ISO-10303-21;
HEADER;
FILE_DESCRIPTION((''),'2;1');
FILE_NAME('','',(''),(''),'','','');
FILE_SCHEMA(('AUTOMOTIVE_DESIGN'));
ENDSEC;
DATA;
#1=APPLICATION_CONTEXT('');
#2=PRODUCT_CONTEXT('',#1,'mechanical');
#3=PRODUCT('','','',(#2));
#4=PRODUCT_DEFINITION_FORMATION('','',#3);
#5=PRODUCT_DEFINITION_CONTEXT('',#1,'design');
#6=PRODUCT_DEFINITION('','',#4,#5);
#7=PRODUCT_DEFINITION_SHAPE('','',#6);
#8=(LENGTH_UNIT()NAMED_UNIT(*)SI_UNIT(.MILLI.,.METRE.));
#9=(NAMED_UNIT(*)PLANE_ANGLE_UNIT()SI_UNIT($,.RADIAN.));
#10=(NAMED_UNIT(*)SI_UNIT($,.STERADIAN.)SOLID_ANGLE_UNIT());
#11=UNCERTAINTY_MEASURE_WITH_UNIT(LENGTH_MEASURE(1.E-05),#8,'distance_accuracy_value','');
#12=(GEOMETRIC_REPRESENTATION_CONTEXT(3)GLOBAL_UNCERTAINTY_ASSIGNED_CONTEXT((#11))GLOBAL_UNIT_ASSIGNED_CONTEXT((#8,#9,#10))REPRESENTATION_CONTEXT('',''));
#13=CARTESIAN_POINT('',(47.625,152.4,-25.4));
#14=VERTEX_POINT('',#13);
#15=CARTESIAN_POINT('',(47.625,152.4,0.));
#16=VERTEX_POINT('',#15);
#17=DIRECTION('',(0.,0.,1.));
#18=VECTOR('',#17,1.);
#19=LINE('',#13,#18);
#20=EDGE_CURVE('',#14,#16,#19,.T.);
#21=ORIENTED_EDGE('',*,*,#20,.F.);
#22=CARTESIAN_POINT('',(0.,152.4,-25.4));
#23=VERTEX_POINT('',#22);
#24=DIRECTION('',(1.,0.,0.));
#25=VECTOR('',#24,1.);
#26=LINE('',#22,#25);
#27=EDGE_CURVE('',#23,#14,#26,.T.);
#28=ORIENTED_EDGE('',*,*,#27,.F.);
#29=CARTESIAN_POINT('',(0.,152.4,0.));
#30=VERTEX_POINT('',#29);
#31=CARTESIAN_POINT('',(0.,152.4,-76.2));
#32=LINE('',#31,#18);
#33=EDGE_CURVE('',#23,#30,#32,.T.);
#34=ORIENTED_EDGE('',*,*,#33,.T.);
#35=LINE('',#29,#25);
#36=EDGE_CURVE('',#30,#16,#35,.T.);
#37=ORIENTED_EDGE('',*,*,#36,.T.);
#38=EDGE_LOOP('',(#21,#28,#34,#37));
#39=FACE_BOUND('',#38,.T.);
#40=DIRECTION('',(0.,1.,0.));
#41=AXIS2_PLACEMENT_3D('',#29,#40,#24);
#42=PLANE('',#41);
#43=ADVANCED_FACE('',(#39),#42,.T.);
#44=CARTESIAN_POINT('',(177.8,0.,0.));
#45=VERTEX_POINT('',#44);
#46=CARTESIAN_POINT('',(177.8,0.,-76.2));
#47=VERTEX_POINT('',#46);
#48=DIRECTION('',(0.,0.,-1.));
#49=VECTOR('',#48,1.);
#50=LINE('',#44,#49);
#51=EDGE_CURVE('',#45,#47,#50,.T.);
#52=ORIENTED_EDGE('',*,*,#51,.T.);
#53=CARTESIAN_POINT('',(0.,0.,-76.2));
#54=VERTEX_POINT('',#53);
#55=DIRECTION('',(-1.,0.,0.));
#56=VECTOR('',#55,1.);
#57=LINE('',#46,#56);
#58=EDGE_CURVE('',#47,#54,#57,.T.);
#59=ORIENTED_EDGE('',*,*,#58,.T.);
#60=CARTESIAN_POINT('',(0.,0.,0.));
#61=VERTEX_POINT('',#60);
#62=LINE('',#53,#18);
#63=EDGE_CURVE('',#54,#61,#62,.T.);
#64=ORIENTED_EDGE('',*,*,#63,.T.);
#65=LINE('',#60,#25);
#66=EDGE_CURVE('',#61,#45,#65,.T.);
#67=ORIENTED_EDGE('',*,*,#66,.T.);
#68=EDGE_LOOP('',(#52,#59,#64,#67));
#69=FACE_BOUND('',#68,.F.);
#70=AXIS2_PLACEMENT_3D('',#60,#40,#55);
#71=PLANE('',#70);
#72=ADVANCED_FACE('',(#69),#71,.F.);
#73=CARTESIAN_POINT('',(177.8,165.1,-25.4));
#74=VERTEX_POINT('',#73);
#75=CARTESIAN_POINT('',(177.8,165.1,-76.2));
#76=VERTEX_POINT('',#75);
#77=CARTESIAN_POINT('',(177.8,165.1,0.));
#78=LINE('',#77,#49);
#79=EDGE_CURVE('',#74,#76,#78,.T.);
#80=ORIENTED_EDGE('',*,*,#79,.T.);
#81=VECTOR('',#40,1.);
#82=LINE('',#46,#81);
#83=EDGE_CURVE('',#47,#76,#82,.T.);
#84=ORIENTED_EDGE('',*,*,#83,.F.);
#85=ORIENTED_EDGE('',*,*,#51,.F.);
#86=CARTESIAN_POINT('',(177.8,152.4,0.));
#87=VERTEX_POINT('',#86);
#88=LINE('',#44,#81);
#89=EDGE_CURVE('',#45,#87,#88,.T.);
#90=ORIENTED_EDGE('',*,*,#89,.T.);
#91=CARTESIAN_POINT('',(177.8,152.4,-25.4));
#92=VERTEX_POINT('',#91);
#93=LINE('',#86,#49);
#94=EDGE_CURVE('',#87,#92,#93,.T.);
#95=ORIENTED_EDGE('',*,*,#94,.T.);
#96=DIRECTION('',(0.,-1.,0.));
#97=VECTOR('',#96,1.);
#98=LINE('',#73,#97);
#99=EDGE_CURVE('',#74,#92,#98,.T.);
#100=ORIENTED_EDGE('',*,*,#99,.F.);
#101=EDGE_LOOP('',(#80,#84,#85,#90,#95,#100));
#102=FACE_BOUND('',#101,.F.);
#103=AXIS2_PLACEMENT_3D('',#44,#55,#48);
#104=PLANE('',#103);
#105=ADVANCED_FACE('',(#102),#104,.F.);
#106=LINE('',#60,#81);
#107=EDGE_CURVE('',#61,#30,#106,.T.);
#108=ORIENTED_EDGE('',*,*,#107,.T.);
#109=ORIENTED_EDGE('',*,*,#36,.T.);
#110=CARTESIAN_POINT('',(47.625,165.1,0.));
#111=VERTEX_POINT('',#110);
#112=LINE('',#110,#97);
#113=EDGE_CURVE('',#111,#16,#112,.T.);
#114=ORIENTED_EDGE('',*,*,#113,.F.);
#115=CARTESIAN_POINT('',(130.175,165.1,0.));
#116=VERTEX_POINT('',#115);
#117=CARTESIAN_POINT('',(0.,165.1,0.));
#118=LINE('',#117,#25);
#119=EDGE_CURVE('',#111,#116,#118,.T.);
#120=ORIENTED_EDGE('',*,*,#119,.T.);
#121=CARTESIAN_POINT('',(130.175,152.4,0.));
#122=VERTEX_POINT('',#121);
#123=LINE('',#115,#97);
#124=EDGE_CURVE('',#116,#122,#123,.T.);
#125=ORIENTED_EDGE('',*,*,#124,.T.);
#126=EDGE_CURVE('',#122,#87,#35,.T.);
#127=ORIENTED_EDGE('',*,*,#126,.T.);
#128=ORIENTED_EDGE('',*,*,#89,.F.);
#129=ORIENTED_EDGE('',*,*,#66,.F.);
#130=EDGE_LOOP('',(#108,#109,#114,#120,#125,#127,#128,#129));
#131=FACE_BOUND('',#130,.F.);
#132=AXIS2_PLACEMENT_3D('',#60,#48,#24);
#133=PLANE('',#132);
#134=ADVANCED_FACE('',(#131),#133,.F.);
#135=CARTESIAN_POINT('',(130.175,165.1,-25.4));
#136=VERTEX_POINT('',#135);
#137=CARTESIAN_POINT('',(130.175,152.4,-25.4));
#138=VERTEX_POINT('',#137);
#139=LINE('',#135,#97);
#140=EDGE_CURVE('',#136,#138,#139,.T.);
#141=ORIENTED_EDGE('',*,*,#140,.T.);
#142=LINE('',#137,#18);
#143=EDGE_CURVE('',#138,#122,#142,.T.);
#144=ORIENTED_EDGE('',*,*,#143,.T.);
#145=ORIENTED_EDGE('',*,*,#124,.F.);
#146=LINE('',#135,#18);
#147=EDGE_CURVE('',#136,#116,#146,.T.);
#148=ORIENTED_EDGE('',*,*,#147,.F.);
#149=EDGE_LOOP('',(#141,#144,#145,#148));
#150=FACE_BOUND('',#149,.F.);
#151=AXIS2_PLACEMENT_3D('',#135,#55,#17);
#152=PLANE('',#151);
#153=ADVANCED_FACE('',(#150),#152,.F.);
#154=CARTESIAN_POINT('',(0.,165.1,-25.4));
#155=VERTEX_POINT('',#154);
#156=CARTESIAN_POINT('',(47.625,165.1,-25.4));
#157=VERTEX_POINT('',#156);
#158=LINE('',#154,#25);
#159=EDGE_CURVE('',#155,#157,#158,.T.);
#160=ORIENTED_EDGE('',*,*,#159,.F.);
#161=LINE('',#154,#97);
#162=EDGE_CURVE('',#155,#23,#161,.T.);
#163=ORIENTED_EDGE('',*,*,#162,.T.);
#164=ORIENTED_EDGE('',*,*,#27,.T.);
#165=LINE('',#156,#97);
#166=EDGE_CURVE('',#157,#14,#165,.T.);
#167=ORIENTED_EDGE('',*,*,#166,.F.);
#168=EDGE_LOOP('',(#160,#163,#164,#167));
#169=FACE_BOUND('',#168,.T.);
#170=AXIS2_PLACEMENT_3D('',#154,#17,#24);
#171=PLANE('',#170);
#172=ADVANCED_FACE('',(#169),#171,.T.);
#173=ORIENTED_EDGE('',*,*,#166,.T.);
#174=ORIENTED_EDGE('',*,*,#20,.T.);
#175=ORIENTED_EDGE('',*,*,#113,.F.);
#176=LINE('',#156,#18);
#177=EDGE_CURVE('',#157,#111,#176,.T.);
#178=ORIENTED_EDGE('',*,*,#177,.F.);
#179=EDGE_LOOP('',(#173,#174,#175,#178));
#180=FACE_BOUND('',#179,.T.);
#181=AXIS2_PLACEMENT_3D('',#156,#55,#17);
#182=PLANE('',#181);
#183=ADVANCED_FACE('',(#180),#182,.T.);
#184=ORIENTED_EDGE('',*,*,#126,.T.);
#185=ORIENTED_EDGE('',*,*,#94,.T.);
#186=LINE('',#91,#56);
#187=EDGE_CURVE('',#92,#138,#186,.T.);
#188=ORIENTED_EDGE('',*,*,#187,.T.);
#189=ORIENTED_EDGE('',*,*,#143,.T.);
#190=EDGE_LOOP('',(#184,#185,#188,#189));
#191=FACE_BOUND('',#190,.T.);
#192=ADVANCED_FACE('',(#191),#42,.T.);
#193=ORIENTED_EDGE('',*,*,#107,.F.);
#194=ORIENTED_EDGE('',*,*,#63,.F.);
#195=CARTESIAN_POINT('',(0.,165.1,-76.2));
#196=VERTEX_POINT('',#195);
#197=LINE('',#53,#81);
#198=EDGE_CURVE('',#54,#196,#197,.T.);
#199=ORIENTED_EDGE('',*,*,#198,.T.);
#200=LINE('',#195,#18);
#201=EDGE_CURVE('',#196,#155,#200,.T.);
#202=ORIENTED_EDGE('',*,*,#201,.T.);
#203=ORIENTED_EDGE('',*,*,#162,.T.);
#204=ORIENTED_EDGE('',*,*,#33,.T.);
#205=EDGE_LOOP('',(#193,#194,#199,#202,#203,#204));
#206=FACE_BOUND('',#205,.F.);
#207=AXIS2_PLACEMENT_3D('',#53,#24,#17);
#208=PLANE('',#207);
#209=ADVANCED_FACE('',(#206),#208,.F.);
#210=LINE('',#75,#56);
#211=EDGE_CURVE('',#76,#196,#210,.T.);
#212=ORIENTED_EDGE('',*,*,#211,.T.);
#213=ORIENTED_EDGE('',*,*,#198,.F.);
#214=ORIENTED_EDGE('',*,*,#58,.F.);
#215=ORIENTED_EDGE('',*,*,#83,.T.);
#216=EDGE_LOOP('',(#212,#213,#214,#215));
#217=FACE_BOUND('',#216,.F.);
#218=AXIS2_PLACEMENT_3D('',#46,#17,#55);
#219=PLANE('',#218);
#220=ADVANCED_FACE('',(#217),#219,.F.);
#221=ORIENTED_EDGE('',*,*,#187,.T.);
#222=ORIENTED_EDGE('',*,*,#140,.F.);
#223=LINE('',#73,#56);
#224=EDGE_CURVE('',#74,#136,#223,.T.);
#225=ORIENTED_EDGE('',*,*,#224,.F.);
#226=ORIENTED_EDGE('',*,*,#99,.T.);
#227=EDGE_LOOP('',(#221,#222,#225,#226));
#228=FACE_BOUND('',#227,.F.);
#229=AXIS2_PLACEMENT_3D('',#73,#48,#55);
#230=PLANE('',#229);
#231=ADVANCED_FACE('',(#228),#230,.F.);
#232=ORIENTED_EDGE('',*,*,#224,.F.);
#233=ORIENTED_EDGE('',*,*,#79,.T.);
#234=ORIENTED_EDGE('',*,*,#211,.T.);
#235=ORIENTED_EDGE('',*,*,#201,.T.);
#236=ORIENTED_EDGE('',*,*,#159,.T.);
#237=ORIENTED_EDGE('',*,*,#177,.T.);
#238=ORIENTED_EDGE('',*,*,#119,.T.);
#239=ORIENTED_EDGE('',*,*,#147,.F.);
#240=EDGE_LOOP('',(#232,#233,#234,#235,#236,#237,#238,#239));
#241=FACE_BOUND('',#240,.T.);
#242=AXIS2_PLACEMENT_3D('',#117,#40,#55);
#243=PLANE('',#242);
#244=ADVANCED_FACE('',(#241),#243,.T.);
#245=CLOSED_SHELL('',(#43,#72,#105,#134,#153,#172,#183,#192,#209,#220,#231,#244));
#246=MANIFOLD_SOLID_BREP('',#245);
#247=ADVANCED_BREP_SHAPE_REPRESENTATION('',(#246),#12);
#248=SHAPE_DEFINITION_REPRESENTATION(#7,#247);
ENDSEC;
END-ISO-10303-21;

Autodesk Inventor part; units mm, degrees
ref_plane "YZ Plane" through (0, 0, 0) normal (1, 0, 0) x (0, 1, 0)
ref_plane "XZ Plane" through (0, 0, 0) normal (0, 1, 0) x (-1, 0, 0)
ref_plane "XY Plane" through (0, 0, 0) normal (0, 0, 1) x (1, 0, 0)
sketch "Sketch1" plane through (0, 0, 0) normal (0, 1, 0) x (-1, 0, 0)
  line L0 (0, 0) -> (-177.8, 0)
  line L1 (-177.8, 0) -> (-177.8, -76.2)
  line L2 (-177.8, -76.2) -> (0, -76.2)
  line L3 (0, -76.2) -> (0, 0)
  dimension "d0" = 177.8
  dimension "d1" = 76.2
extrude "Extrusion1" add sketch "Sketch1" along normal blind 165.1
sketch "Sketch2" plane through (0, 165.1, 0) normal (0, 1, 0) x (1, 0, 0)
  line L0 (177.8, 25.4) -> (130.175, 25.4)
  line L1 (130.175, 25.4) -> (130.175, 0)
  line L2 (0, 25.4) -> (47.625, 25.4)
  line L3 (47.625, 25.4) -> (47.625, 0)
  line L4 (0, 0) -> (177.8, 0) projected
  line L5 (0, 76.2) -> (0, 0) projected
  line L6 (177.8, 0) -> (177.8, 76.2) projected
  line L7 (0, 25.4) -> (0, 0)
  line L8 (0, 0) -> (47.625, 0)
  line L9 (130.175, 0) -> (177.8, 0)
  line L10 (177.8, 25.4) -> (177.8, 0)
  dimension "d4" = 47.625
  dimension "d5" = 47.625
  dimension "d6" = 25.4
  dimension "d7" = 25.4
extrude "Extrusion2" cut sketch "Sketch2" against normal blind 12.7
properties part number "Battery"
